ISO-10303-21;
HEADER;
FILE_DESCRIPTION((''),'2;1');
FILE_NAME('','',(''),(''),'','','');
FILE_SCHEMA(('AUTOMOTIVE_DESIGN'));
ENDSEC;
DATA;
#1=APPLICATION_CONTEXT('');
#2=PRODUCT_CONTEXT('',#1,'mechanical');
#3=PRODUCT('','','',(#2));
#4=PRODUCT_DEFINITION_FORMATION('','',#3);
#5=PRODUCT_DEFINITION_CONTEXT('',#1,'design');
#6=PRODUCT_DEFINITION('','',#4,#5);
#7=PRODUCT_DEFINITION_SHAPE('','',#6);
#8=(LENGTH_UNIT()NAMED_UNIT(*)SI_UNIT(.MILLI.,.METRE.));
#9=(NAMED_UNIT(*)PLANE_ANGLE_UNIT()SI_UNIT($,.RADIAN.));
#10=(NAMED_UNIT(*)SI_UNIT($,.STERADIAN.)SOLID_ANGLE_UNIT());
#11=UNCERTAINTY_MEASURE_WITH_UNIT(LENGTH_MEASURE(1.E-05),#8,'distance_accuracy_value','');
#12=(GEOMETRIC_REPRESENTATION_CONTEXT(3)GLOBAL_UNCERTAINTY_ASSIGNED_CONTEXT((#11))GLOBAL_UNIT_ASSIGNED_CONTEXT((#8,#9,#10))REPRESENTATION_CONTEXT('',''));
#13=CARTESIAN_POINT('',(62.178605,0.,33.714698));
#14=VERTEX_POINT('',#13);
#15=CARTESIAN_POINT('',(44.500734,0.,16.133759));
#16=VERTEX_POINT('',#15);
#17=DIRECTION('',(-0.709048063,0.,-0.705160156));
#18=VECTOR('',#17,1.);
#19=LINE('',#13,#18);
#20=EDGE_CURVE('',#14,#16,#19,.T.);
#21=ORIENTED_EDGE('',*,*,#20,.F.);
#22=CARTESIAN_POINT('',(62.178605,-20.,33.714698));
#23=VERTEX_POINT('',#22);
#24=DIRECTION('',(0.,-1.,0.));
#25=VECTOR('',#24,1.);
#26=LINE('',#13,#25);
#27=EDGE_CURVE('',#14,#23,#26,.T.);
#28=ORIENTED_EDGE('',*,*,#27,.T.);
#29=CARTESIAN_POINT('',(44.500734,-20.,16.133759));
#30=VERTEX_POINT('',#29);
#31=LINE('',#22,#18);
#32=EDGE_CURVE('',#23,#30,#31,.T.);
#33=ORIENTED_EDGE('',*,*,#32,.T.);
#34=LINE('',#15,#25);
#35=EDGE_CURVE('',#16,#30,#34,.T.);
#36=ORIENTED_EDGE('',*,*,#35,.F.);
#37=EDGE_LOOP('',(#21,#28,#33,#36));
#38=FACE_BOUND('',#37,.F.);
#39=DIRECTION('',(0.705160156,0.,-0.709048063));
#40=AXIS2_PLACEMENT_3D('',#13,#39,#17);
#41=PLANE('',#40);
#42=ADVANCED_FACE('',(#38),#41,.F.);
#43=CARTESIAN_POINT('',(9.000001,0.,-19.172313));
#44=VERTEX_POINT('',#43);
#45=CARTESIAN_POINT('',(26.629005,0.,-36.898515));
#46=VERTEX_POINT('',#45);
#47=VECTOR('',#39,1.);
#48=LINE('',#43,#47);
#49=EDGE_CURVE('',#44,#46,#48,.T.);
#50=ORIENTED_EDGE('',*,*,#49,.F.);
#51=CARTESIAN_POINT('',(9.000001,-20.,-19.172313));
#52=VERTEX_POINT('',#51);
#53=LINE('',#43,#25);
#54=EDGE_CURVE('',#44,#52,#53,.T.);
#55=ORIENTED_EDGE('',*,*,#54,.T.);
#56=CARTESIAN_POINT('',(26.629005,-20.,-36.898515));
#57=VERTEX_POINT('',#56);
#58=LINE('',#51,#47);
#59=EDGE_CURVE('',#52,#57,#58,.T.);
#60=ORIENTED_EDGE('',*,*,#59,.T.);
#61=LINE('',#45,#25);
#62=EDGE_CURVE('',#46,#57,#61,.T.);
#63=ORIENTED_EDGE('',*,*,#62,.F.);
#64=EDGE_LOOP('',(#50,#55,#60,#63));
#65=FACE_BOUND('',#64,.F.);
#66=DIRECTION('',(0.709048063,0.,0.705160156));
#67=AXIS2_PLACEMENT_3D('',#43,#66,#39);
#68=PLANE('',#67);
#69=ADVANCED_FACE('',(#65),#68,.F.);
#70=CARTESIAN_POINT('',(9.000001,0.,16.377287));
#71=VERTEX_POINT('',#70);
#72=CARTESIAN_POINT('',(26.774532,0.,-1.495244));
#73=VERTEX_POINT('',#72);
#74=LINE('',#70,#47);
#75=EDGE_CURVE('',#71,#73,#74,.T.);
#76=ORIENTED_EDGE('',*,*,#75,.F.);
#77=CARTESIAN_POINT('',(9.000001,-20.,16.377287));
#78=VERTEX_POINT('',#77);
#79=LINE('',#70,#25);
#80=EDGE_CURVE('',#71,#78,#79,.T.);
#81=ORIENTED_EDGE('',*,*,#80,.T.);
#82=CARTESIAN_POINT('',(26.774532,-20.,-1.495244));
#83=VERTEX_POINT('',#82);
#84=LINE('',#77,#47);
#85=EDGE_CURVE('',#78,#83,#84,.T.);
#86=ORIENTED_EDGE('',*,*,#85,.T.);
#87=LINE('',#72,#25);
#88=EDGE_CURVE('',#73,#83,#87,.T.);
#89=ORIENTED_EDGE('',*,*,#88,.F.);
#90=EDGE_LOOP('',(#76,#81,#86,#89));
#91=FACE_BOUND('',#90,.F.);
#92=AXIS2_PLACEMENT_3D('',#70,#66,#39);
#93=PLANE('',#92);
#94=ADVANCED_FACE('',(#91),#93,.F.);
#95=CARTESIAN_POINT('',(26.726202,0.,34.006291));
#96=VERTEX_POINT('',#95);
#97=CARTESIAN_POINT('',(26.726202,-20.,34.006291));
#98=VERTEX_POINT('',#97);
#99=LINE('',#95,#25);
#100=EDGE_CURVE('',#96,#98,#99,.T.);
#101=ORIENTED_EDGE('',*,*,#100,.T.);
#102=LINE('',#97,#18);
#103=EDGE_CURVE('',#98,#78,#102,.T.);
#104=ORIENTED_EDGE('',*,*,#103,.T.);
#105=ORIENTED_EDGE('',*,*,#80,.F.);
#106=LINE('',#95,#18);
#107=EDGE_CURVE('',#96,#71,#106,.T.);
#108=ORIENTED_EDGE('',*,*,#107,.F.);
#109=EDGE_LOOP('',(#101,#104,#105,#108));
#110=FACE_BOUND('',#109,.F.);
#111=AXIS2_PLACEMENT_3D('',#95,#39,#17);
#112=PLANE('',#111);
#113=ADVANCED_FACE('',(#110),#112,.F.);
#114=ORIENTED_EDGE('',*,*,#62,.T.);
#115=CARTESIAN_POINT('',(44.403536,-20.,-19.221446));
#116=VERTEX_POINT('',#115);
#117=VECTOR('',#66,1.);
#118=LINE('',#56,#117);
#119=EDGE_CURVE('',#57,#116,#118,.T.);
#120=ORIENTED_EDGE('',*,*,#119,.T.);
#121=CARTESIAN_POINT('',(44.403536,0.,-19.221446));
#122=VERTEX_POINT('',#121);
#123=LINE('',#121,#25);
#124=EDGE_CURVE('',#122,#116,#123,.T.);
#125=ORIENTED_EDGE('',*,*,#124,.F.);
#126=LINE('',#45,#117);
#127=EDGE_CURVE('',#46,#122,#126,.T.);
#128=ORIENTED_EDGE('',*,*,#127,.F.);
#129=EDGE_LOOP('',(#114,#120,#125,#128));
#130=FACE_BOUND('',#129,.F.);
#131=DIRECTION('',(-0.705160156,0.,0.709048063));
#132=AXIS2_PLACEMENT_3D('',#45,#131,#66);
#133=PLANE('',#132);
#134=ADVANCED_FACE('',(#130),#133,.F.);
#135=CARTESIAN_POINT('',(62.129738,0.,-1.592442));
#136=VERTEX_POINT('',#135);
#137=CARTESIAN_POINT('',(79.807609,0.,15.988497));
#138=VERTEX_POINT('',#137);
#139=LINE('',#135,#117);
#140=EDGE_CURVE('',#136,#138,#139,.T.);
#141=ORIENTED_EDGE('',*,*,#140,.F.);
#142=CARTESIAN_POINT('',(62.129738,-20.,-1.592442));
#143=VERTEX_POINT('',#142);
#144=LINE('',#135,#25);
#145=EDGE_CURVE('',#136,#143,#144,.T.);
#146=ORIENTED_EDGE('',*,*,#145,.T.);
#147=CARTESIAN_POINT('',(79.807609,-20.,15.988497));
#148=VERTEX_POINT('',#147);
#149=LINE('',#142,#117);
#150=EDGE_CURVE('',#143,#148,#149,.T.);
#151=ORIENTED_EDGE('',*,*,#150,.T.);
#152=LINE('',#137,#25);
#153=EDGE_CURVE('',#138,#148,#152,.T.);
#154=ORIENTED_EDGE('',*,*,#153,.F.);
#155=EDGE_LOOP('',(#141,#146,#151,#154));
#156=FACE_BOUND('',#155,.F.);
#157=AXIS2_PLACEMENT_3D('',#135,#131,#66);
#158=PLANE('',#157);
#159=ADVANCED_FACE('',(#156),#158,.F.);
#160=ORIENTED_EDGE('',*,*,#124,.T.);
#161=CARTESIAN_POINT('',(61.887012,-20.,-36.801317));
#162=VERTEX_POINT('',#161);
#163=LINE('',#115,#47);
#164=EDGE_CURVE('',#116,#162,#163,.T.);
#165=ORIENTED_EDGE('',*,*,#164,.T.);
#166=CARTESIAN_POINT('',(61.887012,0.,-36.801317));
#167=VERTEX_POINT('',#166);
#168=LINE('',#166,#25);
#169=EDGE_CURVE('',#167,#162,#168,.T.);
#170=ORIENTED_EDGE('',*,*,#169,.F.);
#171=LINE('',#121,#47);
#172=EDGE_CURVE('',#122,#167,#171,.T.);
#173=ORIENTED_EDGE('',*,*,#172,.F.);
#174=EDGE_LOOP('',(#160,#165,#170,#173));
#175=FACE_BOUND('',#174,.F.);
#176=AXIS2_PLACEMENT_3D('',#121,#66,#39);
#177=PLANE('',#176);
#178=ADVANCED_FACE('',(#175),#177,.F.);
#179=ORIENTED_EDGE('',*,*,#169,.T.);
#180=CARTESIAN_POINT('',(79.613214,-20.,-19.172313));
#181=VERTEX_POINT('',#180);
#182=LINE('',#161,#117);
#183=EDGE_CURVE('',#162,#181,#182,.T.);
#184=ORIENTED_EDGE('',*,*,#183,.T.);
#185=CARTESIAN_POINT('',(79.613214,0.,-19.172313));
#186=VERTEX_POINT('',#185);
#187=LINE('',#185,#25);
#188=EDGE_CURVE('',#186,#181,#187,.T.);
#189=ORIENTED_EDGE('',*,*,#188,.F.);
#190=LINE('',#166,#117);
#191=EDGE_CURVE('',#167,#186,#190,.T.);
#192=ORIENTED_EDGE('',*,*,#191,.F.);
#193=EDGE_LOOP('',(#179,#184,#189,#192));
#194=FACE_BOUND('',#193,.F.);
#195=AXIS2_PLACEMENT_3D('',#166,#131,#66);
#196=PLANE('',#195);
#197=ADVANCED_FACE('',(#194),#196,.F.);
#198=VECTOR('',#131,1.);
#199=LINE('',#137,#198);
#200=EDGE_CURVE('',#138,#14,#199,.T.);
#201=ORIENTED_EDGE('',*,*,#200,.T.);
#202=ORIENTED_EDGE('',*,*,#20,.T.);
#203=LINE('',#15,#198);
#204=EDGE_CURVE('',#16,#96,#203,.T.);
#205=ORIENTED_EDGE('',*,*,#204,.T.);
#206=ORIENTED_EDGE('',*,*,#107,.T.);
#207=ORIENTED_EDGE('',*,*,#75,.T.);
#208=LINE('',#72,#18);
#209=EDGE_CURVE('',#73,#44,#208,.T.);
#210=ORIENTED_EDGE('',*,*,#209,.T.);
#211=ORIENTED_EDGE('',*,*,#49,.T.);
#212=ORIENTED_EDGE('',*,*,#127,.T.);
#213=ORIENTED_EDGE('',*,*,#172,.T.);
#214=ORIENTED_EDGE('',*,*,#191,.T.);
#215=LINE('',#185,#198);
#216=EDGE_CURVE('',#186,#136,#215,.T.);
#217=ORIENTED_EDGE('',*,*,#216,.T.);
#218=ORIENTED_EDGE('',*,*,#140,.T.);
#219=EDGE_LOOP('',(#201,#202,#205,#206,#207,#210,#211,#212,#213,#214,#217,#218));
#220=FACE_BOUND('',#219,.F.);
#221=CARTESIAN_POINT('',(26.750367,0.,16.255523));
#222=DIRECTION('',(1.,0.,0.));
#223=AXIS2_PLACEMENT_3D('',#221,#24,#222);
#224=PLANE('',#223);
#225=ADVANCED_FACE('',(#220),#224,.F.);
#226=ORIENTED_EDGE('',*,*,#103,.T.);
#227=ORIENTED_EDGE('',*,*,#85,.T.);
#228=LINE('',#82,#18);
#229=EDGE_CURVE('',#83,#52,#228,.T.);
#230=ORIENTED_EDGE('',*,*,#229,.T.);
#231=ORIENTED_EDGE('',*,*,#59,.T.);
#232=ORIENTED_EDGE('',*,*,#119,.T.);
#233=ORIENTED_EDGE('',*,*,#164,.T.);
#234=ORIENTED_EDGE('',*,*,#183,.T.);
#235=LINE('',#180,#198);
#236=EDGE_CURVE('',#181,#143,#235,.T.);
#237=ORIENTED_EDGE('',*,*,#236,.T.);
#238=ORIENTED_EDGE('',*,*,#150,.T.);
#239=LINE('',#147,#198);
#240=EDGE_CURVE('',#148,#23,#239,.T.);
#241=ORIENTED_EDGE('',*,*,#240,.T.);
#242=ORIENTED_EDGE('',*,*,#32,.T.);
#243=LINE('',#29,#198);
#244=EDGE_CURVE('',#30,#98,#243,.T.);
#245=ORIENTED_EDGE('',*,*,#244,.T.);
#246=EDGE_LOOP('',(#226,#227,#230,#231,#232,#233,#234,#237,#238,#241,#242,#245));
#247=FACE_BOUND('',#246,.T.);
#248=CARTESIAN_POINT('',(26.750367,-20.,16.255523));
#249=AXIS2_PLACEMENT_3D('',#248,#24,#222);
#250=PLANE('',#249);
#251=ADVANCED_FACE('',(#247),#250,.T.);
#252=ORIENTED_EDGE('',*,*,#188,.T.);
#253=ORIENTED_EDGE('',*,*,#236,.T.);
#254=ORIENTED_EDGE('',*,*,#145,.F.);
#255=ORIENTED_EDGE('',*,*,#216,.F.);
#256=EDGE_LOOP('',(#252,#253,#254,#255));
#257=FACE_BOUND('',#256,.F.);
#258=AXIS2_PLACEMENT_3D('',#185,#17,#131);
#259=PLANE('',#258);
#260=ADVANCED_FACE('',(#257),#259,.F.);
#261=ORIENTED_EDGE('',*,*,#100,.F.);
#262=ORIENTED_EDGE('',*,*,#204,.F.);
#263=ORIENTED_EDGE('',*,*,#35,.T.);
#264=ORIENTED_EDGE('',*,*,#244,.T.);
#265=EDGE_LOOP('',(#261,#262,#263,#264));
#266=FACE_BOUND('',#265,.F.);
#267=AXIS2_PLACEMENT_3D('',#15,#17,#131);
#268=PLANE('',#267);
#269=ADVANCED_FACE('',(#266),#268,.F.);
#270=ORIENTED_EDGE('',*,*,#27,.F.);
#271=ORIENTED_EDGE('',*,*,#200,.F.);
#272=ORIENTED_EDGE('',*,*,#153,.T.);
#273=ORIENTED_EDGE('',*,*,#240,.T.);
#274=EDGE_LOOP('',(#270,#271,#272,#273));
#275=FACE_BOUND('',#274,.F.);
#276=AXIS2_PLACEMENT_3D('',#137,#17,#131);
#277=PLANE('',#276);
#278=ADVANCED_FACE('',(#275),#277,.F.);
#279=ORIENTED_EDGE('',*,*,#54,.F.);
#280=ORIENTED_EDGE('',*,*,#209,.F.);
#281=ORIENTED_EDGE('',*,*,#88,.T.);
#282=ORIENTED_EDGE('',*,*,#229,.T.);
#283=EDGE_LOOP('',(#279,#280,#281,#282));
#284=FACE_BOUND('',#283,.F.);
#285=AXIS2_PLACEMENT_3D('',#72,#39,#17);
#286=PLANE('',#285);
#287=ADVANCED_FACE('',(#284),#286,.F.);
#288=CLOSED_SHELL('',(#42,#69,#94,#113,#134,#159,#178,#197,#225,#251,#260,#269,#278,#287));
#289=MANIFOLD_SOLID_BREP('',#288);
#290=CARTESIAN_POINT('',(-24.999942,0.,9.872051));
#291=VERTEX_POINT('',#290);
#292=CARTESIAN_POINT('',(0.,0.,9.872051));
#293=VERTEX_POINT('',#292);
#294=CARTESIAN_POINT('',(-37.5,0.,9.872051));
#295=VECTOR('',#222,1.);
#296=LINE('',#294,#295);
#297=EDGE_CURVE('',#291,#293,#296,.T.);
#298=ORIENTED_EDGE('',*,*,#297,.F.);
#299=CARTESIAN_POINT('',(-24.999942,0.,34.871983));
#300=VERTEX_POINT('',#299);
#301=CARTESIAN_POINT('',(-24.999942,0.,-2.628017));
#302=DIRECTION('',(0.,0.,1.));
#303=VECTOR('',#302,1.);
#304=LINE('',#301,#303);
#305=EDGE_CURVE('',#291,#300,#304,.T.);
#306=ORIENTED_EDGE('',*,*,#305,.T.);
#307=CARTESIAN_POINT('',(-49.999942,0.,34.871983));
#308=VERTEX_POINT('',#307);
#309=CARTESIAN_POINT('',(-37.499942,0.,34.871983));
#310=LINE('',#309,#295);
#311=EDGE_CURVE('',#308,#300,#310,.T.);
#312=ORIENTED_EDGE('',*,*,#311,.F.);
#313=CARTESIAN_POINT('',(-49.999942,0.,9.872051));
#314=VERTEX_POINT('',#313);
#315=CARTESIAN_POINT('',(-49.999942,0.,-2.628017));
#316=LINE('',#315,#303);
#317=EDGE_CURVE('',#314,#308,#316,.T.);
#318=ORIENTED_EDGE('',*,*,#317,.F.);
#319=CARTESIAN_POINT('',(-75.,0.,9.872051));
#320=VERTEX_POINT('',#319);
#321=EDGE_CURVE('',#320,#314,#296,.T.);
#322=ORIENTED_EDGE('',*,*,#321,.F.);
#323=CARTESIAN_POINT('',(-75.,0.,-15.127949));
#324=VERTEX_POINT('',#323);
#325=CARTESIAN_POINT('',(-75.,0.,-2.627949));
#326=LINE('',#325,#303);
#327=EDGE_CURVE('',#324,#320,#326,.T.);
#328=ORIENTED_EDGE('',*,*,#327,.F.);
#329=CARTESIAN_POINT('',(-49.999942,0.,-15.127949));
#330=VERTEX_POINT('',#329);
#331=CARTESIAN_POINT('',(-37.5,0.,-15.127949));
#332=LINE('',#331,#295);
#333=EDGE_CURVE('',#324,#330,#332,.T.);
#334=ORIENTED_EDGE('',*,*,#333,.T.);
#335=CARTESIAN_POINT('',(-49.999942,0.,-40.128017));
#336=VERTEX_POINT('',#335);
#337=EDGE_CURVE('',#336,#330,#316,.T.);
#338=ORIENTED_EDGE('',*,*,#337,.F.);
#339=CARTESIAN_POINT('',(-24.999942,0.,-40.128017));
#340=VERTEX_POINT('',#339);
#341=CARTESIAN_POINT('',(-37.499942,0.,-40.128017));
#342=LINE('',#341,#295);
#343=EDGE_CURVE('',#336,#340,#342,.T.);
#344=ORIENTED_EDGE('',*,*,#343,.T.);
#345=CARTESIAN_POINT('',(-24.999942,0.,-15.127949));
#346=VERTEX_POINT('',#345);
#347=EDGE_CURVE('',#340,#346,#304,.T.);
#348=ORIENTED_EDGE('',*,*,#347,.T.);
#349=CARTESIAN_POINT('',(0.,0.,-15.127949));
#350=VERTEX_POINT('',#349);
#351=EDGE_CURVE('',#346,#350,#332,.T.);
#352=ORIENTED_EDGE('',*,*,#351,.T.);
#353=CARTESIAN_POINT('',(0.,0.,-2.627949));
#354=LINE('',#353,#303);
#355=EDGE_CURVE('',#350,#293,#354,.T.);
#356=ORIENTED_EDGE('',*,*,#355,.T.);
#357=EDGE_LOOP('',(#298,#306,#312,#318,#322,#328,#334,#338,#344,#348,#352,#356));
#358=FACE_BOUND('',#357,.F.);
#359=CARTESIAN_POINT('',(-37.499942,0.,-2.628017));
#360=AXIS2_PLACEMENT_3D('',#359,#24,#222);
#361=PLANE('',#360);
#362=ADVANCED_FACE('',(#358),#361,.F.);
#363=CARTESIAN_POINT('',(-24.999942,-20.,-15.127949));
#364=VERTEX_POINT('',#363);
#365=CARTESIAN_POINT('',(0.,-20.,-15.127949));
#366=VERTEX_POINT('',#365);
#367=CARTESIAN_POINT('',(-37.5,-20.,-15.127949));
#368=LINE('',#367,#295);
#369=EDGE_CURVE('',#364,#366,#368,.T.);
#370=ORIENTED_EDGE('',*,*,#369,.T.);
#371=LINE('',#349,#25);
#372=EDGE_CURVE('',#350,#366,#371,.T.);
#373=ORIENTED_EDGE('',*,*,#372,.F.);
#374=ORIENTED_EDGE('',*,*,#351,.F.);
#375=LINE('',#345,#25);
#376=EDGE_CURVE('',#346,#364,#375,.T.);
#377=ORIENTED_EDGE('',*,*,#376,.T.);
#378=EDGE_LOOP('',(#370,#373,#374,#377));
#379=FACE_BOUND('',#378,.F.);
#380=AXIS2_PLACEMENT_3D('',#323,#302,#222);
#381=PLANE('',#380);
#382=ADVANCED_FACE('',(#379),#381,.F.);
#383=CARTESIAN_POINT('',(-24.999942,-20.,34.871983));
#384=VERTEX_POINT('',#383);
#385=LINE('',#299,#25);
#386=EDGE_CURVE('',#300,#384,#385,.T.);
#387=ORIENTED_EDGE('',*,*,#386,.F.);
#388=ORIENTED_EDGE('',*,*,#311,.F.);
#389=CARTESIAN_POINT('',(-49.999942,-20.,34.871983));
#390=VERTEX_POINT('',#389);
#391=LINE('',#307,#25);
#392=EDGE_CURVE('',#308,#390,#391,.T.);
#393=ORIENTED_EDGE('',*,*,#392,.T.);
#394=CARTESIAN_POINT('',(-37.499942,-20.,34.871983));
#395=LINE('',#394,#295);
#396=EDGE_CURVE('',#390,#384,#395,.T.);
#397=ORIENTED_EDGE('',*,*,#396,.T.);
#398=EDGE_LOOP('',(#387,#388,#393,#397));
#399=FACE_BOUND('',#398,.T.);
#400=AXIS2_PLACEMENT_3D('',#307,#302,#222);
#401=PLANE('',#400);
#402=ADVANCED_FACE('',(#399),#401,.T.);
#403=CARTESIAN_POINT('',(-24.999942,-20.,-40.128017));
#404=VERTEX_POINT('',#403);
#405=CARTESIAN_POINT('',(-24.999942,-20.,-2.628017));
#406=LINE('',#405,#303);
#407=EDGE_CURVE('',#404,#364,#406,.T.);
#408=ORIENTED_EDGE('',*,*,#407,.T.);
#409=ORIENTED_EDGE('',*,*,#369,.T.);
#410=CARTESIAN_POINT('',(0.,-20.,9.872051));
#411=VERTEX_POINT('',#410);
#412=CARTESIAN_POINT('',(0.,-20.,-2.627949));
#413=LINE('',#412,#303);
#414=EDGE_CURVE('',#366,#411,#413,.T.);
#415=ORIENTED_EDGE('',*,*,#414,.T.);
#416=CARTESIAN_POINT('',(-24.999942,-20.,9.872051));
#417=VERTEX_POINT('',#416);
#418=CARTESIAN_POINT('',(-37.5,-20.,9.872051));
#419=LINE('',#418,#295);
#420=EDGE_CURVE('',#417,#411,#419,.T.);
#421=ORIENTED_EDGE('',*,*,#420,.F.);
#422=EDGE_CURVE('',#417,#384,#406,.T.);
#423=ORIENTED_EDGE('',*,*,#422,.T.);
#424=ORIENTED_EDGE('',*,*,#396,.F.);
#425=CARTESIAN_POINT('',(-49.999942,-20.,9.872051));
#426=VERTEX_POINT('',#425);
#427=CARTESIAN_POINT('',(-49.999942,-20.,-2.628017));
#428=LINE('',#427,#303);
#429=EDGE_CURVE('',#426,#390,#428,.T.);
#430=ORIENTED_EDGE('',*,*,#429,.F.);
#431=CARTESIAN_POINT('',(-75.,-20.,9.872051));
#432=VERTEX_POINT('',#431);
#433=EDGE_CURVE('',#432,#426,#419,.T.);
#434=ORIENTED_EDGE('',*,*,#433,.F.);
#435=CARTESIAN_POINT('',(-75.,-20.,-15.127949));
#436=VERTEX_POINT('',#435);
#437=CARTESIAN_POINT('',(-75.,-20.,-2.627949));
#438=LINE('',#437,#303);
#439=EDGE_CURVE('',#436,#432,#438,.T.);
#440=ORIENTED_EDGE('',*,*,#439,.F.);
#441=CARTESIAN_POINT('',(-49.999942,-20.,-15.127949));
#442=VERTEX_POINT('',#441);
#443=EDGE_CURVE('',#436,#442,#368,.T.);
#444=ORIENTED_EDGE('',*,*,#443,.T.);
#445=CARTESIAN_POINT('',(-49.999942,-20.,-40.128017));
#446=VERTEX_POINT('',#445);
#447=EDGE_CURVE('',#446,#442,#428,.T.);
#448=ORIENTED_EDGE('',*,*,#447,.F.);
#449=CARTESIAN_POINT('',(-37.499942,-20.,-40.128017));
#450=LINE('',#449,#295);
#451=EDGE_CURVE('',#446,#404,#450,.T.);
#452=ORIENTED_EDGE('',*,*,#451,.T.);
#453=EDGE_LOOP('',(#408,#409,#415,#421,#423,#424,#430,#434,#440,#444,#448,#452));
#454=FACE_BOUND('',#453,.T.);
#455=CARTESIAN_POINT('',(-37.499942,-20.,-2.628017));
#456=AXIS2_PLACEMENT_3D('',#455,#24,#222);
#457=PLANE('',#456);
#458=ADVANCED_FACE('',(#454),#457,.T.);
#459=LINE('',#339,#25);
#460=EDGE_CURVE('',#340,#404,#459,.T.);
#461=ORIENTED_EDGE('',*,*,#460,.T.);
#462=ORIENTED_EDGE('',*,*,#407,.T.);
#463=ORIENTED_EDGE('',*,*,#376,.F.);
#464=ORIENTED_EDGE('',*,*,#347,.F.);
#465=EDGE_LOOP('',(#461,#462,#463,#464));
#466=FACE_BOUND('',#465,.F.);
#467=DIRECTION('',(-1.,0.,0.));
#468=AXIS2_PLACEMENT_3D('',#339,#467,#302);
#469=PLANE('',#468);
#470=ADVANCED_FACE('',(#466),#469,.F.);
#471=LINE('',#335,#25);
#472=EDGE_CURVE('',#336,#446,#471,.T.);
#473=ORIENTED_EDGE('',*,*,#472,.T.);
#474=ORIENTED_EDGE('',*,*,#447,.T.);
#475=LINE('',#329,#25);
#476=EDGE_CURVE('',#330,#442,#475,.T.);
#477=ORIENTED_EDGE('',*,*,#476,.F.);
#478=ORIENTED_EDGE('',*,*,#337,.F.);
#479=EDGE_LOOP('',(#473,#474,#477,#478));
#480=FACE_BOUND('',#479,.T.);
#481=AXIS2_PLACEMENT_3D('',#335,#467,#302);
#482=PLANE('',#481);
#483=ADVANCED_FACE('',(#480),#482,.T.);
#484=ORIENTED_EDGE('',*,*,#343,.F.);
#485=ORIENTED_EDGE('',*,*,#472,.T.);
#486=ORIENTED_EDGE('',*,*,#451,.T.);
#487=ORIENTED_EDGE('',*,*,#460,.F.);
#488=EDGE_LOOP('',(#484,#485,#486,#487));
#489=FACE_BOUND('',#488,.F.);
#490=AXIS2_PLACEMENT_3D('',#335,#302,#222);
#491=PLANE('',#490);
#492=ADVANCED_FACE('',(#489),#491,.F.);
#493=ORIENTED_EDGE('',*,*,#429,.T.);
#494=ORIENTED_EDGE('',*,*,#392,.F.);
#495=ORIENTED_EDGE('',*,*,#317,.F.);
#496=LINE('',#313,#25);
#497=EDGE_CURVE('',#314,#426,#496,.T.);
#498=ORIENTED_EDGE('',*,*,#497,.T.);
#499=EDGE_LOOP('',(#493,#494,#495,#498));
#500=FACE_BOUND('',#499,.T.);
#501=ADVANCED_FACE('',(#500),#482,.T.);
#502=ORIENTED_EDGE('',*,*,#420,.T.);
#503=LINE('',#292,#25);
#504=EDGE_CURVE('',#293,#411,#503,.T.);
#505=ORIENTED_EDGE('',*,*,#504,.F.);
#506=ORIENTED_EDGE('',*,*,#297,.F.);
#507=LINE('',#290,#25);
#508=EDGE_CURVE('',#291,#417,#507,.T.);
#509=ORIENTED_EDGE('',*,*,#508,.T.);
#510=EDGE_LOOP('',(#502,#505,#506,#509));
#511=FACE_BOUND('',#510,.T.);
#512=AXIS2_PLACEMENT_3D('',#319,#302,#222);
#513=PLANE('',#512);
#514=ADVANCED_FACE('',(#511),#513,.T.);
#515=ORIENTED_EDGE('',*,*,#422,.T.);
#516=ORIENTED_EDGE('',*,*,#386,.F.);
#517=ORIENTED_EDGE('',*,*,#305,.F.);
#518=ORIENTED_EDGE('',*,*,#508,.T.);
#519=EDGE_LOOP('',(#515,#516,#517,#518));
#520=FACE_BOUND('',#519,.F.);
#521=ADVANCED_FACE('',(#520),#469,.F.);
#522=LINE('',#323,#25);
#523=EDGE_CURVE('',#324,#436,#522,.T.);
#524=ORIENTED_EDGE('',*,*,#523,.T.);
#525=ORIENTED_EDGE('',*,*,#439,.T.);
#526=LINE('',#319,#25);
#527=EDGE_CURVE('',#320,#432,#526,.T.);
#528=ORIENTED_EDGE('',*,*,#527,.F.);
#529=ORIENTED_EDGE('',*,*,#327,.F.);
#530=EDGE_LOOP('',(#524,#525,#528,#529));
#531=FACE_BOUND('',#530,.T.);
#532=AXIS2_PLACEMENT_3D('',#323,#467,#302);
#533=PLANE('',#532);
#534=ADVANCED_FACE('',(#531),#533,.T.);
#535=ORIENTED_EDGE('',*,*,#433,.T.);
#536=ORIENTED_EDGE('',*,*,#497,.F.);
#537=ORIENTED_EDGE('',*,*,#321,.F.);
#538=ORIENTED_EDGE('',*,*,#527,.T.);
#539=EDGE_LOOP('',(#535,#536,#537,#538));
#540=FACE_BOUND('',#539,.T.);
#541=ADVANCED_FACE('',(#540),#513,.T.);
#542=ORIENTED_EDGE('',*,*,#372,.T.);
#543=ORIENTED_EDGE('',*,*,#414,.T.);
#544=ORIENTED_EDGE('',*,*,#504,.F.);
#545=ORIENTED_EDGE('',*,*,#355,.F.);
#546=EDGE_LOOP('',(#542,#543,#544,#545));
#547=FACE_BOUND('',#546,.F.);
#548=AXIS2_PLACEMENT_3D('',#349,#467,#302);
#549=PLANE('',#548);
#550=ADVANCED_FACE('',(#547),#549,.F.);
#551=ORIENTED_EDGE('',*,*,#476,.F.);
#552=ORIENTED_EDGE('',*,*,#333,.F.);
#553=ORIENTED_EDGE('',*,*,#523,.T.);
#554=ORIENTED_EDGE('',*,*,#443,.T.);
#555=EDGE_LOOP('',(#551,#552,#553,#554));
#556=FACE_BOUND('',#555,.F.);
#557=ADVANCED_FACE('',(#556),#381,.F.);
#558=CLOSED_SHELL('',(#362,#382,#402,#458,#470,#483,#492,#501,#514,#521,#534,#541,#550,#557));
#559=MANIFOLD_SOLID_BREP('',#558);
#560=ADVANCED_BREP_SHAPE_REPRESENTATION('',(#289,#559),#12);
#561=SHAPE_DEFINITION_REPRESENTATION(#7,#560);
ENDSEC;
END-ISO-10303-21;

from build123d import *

# Parameters (mm, degrees)
F0_W     = 75
F0_H     = 25
F3_DEPTH = 20
F1_W     = 25
F1_H     = 75
F4_DEPTH = 20
F5_DEPTH = 20


with BuildPart() as f3:
    # F0 (on Front) → F3 (new body)
    with BuildSketch(Plane.XZ):
        with Locations((-37.5, -2.6279494166)):
            Rectangle(F0_W, F0_H)
    extrude(amount=F3_DEPTH)

    # F1 (on Front) → F4 (join)
    with BuildSketch(Plane.XZ):
        with Locations((-37.4999418855, -2.6280174498)):
            Rectangle(F1_W, F1_H)
    extrude(amount=F4_DEPTH)


with BuildPart() as f5:
    # F2 (on Front) → F5 (new body)
    with BuildSketch(Plane.XZ):
        Polygon((44.5007340238, 16.1337594985), (26.7262023028, 34.0062912639), (9.0000007387, 16.3772873751), (26.7745324597, -1.4952443902), align=None)
        Polygon((62.1786054309, 33.714698238), (44.5007340238, 16.1337594985), (62.1297379126, -1.5924420656), (79.8076093197, 15.9884966739), align=None)
        Polygon((62.1297379126, -1.5924420656), (44.5007340238, 16.1337594985), (26.7745324597, -1.4952443902), (44.4035363485, -19.2214459543), align=None)
        Polygon((79.6132139691, -19.1723134283), (62.1297379126, -1.5924420656), (44.4035363485, -19.2214459543), (61.887012405, -36.8013173171), align=None)
        Polygon((44.4035363485, -19.2214459543), (26.7745324597, -1.4952443902), (9.0000007387, -19.1723134283), (26.6290046275, -36.8985149924), align=None)
    extrude(amount=F5_DEPTH)


solid = Compound([f3.part, f5.part])
